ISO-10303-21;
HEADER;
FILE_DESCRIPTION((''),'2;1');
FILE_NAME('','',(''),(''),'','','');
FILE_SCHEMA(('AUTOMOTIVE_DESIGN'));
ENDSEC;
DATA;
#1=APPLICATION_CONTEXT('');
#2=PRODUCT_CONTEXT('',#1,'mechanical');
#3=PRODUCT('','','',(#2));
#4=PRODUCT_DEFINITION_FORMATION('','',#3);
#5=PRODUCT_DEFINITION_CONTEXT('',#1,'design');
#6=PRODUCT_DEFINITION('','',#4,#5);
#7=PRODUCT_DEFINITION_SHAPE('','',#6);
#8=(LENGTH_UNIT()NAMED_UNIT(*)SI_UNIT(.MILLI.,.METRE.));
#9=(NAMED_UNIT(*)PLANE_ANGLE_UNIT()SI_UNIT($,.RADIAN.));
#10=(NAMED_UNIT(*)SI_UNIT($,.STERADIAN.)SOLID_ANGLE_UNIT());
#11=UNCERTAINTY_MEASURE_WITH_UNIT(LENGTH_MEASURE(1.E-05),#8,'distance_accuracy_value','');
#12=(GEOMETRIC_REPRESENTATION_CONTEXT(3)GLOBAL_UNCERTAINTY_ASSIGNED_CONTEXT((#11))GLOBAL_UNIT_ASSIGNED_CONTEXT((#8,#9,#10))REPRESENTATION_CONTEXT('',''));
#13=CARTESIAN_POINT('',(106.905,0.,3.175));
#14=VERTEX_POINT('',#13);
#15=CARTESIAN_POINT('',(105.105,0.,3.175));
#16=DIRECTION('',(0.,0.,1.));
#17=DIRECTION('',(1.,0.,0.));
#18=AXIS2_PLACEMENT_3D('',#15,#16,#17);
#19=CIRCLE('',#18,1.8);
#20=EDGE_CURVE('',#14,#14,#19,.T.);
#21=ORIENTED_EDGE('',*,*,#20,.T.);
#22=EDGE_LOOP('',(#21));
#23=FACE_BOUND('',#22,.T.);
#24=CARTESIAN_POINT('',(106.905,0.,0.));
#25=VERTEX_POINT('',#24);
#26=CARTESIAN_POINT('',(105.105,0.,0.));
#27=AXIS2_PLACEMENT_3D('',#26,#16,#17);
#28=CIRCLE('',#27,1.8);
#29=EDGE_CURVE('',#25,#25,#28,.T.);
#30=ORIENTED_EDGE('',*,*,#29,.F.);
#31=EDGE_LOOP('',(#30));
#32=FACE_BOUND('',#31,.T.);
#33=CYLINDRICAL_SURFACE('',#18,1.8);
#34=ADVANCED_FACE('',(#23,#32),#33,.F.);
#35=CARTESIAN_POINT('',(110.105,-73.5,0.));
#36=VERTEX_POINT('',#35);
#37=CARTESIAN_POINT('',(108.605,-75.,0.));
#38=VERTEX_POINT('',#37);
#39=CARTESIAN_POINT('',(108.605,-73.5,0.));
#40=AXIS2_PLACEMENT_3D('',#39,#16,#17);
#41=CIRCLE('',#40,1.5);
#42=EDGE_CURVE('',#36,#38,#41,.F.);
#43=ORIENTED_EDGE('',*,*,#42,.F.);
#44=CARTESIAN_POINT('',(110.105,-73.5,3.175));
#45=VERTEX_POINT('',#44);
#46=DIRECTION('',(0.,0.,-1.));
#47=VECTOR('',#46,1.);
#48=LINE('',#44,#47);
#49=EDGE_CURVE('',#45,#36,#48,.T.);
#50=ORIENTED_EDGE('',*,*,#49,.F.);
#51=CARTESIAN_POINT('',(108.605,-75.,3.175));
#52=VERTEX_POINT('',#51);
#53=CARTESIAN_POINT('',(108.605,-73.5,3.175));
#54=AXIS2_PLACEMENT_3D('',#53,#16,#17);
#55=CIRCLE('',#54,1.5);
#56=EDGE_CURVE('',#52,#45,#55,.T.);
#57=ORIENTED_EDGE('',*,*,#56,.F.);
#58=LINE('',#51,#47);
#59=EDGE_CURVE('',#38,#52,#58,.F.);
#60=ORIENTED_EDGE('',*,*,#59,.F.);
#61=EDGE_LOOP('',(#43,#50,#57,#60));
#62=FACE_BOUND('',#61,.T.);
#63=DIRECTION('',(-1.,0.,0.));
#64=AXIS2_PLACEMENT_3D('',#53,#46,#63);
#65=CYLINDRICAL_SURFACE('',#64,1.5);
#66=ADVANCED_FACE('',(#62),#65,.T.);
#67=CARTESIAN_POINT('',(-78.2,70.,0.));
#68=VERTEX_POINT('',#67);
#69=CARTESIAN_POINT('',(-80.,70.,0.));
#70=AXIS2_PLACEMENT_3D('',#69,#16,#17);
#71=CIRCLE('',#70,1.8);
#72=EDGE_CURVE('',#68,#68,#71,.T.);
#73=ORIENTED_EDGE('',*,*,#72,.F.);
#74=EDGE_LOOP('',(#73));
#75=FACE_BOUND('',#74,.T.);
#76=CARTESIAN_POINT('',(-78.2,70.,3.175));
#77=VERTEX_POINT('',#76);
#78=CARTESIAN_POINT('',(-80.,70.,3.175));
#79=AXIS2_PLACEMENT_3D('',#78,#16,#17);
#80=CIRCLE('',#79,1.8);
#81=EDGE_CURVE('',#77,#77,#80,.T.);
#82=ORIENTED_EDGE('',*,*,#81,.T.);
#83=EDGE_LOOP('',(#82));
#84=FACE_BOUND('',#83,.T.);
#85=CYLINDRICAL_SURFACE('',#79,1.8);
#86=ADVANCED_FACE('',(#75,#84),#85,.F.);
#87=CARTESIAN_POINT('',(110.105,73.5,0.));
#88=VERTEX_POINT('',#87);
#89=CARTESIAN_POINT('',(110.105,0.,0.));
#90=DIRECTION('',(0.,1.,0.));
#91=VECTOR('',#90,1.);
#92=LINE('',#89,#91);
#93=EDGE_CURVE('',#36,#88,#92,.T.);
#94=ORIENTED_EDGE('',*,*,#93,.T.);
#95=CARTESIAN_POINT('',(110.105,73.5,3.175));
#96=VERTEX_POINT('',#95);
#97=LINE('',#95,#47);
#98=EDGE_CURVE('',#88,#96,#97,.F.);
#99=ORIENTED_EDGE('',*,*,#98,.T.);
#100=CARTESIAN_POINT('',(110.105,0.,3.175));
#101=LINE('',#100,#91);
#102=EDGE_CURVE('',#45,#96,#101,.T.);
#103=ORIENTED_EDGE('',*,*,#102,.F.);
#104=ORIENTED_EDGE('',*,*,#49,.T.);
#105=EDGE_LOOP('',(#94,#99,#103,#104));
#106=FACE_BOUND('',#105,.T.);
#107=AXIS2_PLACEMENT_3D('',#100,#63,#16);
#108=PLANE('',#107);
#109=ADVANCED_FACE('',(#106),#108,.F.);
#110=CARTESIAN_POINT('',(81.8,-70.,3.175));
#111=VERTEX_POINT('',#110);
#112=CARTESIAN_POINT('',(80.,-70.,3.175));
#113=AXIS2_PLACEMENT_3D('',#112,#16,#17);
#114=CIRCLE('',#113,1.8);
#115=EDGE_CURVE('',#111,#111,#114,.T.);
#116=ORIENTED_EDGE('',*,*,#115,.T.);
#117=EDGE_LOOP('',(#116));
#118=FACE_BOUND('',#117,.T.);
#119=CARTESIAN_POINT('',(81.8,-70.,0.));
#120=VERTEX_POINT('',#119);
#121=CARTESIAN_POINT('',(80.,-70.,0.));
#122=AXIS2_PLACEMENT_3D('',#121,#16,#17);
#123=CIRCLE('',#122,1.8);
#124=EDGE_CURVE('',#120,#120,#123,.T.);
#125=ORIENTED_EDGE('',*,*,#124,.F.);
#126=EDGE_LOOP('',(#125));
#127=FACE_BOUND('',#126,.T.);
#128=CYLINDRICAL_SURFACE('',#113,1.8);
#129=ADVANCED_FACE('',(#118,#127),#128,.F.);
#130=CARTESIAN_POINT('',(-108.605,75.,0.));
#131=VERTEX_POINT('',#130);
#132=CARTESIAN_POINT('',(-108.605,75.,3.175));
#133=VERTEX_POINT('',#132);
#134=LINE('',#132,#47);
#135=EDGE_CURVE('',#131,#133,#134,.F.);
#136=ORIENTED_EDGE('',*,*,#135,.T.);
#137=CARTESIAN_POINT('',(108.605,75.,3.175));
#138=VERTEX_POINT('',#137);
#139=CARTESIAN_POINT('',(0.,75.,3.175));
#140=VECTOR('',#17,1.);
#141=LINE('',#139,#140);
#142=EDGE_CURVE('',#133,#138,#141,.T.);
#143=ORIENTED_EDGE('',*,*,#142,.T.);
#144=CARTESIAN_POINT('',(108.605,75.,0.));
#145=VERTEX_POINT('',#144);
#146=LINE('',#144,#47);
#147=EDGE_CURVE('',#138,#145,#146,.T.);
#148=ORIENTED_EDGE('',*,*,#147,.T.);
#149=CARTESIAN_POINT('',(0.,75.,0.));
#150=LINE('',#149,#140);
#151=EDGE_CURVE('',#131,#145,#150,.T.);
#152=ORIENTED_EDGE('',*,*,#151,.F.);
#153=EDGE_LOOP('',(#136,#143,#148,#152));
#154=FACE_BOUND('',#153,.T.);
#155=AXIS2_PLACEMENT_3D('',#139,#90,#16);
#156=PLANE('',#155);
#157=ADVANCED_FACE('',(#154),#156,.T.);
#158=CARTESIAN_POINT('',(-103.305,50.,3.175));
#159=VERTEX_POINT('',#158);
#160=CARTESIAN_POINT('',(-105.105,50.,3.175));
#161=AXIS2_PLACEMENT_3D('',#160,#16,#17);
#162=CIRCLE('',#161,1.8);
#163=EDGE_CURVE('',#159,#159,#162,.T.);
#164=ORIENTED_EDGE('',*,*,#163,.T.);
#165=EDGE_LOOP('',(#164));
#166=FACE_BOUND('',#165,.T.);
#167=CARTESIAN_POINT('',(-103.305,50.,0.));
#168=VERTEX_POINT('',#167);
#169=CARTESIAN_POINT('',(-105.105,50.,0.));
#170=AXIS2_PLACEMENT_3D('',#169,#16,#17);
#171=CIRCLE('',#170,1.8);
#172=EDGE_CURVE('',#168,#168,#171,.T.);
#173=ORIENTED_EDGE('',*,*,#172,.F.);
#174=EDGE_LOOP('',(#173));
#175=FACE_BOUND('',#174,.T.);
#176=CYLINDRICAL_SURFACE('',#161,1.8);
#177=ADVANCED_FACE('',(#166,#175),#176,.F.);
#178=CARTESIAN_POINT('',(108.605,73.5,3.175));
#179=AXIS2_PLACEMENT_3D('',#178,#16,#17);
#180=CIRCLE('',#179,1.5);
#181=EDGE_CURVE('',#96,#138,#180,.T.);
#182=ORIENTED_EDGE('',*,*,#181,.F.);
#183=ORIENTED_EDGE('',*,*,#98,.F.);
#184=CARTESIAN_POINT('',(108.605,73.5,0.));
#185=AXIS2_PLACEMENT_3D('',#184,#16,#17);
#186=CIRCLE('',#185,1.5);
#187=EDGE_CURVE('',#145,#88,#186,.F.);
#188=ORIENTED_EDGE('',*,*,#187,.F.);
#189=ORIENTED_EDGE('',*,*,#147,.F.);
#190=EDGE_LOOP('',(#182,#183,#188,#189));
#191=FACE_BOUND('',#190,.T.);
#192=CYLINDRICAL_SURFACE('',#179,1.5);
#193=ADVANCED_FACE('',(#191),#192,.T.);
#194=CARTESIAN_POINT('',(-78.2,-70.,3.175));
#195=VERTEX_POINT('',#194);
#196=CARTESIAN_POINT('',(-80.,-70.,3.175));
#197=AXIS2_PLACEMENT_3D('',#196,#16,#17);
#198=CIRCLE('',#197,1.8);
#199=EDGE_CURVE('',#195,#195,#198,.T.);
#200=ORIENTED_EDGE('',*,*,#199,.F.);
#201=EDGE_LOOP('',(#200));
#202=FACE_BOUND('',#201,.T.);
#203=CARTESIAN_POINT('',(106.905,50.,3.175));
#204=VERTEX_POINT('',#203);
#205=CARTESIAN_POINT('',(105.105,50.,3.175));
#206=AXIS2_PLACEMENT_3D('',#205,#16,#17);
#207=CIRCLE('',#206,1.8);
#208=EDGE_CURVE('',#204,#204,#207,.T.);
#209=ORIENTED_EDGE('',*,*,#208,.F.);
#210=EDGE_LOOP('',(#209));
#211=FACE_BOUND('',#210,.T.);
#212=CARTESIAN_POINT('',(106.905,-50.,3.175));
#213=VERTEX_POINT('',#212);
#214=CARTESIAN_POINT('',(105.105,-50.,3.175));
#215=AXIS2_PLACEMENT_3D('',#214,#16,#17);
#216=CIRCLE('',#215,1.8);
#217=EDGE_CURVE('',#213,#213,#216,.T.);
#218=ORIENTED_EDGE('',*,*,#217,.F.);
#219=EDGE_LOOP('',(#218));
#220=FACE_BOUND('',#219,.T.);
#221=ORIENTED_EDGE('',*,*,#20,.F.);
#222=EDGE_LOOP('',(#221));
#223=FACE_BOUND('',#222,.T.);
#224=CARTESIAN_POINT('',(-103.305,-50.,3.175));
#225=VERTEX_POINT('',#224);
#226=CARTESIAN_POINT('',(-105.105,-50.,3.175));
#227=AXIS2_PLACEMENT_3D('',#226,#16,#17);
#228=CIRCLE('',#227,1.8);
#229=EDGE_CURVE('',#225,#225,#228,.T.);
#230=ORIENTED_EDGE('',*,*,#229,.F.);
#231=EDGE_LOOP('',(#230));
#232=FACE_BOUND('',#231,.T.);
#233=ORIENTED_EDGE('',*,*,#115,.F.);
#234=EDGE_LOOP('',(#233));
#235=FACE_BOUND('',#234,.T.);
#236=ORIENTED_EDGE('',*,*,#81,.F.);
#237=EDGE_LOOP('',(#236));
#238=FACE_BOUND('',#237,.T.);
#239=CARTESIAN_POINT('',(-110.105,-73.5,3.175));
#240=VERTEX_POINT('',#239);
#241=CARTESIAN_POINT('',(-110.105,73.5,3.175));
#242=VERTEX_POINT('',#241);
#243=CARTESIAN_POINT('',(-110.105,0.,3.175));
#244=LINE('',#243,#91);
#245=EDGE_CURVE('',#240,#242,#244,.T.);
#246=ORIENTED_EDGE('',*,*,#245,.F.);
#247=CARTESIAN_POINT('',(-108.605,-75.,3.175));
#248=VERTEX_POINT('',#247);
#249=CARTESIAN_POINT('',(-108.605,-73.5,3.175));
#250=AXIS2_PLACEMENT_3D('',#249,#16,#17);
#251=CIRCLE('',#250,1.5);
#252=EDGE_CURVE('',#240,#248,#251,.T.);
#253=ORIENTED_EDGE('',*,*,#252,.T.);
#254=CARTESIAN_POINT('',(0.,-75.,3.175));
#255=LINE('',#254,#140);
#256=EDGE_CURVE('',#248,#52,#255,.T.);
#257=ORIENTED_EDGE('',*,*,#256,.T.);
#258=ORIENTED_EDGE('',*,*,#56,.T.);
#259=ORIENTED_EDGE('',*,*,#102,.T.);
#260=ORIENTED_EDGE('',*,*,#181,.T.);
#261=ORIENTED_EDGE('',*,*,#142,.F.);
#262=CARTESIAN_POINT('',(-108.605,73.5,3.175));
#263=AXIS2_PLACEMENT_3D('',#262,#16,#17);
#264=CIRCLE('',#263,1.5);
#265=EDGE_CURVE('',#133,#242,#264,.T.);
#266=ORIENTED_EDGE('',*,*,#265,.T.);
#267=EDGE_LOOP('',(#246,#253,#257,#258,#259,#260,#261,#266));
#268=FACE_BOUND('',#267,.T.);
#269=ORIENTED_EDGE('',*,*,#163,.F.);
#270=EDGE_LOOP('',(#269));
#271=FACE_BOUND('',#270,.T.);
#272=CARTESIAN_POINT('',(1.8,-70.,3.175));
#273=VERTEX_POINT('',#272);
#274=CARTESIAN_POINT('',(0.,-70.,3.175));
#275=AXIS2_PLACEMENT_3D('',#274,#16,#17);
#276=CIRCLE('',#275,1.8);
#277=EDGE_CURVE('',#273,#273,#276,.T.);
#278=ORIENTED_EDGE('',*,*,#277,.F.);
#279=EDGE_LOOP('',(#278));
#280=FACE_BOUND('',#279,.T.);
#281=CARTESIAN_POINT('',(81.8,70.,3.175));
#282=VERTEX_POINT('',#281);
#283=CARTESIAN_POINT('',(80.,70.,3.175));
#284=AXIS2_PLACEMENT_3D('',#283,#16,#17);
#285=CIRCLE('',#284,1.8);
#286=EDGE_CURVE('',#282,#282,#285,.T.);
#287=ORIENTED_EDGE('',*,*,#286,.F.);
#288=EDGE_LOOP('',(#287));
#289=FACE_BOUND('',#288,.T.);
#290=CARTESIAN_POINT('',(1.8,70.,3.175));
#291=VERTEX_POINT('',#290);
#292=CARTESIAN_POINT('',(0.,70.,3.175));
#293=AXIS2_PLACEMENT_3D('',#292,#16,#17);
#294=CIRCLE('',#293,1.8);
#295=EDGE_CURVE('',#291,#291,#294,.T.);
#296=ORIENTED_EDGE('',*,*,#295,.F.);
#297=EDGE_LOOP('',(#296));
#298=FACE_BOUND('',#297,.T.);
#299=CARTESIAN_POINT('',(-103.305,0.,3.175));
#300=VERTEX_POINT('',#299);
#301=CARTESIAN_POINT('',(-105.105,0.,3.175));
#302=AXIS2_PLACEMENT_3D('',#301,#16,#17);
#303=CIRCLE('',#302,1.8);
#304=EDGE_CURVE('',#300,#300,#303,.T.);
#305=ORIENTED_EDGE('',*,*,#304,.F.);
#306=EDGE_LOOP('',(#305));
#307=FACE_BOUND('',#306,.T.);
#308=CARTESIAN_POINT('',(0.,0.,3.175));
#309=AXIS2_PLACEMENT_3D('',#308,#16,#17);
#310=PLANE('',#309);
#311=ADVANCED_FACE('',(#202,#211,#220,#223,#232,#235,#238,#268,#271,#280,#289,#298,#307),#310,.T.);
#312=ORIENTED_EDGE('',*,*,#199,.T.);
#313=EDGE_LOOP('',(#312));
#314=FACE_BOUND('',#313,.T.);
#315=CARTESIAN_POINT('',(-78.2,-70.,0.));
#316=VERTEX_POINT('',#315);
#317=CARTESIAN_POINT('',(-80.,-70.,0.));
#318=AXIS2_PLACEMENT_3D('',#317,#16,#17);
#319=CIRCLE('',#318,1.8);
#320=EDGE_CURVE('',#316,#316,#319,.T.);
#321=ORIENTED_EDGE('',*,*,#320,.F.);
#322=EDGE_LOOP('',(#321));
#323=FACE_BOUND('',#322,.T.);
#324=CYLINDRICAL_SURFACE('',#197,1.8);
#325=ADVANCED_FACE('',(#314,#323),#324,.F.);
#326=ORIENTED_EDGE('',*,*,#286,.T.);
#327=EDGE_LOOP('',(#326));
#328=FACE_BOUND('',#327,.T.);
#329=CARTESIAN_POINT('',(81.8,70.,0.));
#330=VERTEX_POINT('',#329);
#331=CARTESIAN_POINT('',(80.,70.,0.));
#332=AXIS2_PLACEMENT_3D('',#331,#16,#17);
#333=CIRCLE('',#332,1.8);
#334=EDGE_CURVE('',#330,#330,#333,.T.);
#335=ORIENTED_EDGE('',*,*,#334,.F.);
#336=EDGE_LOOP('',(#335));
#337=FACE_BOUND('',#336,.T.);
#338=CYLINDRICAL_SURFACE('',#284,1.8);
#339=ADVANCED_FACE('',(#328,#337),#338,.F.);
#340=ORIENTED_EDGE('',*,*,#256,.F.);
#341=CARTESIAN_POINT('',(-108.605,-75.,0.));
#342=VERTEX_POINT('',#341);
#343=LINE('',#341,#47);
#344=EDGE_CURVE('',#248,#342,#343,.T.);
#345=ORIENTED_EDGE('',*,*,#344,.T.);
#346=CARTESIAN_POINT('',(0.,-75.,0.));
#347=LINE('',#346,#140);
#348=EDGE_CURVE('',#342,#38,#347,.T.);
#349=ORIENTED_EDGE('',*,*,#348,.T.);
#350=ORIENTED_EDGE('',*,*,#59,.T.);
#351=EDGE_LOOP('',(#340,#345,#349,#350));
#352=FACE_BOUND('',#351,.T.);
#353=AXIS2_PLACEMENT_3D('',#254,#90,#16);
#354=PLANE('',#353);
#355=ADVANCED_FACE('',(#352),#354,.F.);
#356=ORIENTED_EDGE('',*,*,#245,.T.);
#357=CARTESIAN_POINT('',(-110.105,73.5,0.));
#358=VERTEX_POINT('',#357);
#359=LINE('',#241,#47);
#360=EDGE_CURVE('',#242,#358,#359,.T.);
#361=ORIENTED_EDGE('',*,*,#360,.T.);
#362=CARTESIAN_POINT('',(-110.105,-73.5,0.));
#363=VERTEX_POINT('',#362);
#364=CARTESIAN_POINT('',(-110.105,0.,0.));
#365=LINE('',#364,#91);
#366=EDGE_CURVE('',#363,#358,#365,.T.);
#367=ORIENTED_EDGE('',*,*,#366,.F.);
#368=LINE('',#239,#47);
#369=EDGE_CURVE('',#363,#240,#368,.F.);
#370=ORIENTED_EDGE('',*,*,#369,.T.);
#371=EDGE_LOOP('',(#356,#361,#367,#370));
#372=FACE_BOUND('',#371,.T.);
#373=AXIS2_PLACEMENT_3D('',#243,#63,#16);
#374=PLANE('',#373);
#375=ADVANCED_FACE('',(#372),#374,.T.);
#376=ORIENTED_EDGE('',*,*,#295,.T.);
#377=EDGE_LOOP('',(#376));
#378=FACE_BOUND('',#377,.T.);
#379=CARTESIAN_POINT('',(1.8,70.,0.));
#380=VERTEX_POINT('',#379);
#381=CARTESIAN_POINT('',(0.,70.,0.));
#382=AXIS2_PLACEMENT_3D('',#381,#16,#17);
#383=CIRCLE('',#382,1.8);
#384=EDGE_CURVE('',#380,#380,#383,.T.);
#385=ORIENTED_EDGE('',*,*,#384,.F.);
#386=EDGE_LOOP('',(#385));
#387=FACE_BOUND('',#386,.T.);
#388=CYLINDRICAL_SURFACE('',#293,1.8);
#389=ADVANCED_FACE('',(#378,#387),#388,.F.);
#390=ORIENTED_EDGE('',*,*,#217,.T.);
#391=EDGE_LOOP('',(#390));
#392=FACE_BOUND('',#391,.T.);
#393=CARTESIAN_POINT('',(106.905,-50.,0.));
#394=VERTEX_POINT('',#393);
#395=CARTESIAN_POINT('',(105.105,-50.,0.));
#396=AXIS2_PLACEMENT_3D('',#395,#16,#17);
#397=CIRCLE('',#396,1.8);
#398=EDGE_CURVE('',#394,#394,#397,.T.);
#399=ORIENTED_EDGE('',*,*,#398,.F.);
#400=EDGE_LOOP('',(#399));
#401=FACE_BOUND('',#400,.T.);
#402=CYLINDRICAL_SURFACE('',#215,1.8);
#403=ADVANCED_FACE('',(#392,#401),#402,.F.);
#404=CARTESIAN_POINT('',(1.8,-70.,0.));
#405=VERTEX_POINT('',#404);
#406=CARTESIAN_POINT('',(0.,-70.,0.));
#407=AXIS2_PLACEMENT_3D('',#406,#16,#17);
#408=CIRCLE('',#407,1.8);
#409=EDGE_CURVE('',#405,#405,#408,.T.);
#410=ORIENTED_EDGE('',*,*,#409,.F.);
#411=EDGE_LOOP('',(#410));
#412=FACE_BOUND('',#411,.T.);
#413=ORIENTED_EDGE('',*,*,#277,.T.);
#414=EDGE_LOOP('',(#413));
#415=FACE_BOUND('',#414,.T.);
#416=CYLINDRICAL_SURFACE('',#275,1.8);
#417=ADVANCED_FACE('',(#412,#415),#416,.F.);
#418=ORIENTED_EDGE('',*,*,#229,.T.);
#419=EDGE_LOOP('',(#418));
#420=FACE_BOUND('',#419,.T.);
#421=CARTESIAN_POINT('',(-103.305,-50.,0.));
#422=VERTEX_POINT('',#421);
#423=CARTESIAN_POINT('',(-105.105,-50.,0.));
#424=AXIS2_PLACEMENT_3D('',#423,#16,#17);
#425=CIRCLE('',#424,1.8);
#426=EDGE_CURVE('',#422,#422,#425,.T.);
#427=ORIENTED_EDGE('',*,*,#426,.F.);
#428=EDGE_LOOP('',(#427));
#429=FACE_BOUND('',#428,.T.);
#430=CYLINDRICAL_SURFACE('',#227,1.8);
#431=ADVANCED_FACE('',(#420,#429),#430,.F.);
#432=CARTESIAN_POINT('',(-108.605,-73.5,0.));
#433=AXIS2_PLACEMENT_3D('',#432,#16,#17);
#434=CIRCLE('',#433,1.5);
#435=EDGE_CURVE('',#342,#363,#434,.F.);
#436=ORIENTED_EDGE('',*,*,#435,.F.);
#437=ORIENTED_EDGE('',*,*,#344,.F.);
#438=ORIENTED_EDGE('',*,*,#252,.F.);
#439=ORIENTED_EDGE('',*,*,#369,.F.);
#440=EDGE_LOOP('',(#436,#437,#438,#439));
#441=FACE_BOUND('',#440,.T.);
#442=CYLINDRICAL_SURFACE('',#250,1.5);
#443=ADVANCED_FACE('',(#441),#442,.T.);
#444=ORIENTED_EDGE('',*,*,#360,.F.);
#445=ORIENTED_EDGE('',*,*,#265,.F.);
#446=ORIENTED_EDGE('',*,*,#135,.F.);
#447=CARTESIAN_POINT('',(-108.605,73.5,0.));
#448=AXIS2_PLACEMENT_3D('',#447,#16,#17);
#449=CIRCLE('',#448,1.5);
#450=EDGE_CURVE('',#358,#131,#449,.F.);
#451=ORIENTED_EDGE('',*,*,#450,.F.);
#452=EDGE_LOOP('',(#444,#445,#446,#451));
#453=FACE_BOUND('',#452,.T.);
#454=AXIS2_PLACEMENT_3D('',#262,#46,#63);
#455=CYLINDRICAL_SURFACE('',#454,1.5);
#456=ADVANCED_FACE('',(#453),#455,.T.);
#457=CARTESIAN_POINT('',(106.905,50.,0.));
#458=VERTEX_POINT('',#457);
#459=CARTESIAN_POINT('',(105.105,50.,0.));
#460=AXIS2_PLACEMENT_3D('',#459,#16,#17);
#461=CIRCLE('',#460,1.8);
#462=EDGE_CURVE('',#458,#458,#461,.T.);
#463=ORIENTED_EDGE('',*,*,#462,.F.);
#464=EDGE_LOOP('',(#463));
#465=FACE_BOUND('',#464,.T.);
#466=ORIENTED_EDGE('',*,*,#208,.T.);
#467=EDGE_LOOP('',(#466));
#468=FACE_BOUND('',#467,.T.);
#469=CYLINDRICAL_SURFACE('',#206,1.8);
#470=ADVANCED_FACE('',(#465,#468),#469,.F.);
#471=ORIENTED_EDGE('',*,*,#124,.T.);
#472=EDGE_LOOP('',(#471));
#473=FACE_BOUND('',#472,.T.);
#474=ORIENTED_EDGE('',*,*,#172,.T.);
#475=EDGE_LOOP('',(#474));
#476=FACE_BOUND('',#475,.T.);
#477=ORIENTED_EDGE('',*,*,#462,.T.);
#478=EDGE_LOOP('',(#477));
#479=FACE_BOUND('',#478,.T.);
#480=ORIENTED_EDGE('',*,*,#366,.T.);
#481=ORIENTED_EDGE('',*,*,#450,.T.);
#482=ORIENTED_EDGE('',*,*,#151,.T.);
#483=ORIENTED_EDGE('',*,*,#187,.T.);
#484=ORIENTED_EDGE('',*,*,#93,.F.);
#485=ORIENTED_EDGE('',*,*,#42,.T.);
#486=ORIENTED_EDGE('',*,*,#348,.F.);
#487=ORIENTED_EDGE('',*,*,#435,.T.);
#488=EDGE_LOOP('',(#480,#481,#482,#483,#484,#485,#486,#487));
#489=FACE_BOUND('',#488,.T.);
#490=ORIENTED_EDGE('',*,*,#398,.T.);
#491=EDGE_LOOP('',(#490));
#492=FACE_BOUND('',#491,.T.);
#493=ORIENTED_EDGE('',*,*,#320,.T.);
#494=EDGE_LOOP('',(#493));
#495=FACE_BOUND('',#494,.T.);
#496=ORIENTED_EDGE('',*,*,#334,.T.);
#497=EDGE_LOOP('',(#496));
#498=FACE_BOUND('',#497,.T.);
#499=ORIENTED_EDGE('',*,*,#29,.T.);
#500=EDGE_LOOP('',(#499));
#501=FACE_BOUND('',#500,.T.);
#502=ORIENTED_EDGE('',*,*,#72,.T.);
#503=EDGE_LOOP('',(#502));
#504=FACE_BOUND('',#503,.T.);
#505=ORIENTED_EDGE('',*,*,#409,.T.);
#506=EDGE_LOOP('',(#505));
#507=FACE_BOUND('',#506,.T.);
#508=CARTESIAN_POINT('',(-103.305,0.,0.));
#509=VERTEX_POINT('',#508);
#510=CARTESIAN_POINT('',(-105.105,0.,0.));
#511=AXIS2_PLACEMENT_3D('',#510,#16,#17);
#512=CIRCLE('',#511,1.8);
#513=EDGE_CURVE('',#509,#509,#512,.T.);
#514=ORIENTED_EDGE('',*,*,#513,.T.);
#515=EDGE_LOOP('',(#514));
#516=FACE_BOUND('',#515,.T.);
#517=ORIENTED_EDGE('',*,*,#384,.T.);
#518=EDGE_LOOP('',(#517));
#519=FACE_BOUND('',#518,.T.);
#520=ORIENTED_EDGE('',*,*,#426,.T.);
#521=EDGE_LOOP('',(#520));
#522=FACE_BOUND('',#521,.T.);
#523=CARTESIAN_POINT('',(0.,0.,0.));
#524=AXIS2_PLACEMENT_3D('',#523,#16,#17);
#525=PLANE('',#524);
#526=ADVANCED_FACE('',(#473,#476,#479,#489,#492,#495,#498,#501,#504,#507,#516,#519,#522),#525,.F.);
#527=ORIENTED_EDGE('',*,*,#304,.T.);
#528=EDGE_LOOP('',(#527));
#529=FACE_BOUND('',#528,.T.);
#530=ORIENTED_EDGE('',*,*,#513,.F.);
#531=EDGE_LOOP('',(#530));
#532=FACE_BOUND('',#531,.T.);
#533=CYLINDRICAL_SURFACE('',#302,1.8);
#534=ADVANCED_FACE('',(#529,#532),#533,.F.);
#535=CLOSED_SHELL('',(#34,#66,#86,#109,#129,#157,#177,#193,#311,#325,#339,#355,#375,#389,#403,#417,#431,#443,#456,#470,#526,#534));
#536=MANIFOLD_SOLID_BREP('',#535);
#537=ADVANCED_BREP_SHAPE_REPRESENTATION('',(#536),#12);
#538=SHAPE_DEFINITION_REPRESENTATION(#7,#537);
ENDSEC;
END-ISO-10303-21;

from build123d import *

# Parameters (mm, degrees)
SKETCH1_W            = 220.21
SKETCH1_H            = 150
BOSS_EXTRUDE1_DEPTH  = 3.175
M3_CLEARANCE_HOLE1_D = 3.6
SKETCH4_W            = 10
SKETCH4_H            = 10
BOSS_EXTRUDE2_DEPTH  = 3.175
FILLET2_R            = 1.5


with BuildPart() as part:
    # Sketch1 → Boss-Extrude1 (new body)
    with BuildSketch(Plane.XY):
        Rectangle(SKETCH1_W, SKETCH1_H)
    extrude(amount=BOSS_EXTRUDE1_DEPTH)

    # M3 Clearance Hole1 (through all)
    with Locations(Plane.XY.offset(3.175)):
        with Locations((0, 0), (-80, 70), (80, 70), (0, 70), (-105.105, 50), (-105.105, 0), (-105.105, -50), (-80, -70), (0, -70), (80, -70), (105.105, -50), (105.105, 0), (105.105, 50)):
            Hole(M3_CLEARANCE_HOLE1_D / 2)

    # Sketch4 → Boss-Extrude2 (add, through all)
    with BuildSketch(Plane.XY.offset(3.175)):
        Rectangle(SKETCH4_W, SKETCH4_H)
    extrude(amount=-BOSS_EXTRUDE2_DEPTH)

    # Fillet2
    fillet2_edges = [part.edges().sort_by_distance(p)[0] for p in [
        (-110.105, -75, 1.5875),
        (-110.105, 75, 1.5875),
        (110.105, 75, 1.5875),
        (110.105, -75, 1.5875),
    ]]
    fillet(fillet2_edges, radius=FILLET2_R)


solid = part.part
